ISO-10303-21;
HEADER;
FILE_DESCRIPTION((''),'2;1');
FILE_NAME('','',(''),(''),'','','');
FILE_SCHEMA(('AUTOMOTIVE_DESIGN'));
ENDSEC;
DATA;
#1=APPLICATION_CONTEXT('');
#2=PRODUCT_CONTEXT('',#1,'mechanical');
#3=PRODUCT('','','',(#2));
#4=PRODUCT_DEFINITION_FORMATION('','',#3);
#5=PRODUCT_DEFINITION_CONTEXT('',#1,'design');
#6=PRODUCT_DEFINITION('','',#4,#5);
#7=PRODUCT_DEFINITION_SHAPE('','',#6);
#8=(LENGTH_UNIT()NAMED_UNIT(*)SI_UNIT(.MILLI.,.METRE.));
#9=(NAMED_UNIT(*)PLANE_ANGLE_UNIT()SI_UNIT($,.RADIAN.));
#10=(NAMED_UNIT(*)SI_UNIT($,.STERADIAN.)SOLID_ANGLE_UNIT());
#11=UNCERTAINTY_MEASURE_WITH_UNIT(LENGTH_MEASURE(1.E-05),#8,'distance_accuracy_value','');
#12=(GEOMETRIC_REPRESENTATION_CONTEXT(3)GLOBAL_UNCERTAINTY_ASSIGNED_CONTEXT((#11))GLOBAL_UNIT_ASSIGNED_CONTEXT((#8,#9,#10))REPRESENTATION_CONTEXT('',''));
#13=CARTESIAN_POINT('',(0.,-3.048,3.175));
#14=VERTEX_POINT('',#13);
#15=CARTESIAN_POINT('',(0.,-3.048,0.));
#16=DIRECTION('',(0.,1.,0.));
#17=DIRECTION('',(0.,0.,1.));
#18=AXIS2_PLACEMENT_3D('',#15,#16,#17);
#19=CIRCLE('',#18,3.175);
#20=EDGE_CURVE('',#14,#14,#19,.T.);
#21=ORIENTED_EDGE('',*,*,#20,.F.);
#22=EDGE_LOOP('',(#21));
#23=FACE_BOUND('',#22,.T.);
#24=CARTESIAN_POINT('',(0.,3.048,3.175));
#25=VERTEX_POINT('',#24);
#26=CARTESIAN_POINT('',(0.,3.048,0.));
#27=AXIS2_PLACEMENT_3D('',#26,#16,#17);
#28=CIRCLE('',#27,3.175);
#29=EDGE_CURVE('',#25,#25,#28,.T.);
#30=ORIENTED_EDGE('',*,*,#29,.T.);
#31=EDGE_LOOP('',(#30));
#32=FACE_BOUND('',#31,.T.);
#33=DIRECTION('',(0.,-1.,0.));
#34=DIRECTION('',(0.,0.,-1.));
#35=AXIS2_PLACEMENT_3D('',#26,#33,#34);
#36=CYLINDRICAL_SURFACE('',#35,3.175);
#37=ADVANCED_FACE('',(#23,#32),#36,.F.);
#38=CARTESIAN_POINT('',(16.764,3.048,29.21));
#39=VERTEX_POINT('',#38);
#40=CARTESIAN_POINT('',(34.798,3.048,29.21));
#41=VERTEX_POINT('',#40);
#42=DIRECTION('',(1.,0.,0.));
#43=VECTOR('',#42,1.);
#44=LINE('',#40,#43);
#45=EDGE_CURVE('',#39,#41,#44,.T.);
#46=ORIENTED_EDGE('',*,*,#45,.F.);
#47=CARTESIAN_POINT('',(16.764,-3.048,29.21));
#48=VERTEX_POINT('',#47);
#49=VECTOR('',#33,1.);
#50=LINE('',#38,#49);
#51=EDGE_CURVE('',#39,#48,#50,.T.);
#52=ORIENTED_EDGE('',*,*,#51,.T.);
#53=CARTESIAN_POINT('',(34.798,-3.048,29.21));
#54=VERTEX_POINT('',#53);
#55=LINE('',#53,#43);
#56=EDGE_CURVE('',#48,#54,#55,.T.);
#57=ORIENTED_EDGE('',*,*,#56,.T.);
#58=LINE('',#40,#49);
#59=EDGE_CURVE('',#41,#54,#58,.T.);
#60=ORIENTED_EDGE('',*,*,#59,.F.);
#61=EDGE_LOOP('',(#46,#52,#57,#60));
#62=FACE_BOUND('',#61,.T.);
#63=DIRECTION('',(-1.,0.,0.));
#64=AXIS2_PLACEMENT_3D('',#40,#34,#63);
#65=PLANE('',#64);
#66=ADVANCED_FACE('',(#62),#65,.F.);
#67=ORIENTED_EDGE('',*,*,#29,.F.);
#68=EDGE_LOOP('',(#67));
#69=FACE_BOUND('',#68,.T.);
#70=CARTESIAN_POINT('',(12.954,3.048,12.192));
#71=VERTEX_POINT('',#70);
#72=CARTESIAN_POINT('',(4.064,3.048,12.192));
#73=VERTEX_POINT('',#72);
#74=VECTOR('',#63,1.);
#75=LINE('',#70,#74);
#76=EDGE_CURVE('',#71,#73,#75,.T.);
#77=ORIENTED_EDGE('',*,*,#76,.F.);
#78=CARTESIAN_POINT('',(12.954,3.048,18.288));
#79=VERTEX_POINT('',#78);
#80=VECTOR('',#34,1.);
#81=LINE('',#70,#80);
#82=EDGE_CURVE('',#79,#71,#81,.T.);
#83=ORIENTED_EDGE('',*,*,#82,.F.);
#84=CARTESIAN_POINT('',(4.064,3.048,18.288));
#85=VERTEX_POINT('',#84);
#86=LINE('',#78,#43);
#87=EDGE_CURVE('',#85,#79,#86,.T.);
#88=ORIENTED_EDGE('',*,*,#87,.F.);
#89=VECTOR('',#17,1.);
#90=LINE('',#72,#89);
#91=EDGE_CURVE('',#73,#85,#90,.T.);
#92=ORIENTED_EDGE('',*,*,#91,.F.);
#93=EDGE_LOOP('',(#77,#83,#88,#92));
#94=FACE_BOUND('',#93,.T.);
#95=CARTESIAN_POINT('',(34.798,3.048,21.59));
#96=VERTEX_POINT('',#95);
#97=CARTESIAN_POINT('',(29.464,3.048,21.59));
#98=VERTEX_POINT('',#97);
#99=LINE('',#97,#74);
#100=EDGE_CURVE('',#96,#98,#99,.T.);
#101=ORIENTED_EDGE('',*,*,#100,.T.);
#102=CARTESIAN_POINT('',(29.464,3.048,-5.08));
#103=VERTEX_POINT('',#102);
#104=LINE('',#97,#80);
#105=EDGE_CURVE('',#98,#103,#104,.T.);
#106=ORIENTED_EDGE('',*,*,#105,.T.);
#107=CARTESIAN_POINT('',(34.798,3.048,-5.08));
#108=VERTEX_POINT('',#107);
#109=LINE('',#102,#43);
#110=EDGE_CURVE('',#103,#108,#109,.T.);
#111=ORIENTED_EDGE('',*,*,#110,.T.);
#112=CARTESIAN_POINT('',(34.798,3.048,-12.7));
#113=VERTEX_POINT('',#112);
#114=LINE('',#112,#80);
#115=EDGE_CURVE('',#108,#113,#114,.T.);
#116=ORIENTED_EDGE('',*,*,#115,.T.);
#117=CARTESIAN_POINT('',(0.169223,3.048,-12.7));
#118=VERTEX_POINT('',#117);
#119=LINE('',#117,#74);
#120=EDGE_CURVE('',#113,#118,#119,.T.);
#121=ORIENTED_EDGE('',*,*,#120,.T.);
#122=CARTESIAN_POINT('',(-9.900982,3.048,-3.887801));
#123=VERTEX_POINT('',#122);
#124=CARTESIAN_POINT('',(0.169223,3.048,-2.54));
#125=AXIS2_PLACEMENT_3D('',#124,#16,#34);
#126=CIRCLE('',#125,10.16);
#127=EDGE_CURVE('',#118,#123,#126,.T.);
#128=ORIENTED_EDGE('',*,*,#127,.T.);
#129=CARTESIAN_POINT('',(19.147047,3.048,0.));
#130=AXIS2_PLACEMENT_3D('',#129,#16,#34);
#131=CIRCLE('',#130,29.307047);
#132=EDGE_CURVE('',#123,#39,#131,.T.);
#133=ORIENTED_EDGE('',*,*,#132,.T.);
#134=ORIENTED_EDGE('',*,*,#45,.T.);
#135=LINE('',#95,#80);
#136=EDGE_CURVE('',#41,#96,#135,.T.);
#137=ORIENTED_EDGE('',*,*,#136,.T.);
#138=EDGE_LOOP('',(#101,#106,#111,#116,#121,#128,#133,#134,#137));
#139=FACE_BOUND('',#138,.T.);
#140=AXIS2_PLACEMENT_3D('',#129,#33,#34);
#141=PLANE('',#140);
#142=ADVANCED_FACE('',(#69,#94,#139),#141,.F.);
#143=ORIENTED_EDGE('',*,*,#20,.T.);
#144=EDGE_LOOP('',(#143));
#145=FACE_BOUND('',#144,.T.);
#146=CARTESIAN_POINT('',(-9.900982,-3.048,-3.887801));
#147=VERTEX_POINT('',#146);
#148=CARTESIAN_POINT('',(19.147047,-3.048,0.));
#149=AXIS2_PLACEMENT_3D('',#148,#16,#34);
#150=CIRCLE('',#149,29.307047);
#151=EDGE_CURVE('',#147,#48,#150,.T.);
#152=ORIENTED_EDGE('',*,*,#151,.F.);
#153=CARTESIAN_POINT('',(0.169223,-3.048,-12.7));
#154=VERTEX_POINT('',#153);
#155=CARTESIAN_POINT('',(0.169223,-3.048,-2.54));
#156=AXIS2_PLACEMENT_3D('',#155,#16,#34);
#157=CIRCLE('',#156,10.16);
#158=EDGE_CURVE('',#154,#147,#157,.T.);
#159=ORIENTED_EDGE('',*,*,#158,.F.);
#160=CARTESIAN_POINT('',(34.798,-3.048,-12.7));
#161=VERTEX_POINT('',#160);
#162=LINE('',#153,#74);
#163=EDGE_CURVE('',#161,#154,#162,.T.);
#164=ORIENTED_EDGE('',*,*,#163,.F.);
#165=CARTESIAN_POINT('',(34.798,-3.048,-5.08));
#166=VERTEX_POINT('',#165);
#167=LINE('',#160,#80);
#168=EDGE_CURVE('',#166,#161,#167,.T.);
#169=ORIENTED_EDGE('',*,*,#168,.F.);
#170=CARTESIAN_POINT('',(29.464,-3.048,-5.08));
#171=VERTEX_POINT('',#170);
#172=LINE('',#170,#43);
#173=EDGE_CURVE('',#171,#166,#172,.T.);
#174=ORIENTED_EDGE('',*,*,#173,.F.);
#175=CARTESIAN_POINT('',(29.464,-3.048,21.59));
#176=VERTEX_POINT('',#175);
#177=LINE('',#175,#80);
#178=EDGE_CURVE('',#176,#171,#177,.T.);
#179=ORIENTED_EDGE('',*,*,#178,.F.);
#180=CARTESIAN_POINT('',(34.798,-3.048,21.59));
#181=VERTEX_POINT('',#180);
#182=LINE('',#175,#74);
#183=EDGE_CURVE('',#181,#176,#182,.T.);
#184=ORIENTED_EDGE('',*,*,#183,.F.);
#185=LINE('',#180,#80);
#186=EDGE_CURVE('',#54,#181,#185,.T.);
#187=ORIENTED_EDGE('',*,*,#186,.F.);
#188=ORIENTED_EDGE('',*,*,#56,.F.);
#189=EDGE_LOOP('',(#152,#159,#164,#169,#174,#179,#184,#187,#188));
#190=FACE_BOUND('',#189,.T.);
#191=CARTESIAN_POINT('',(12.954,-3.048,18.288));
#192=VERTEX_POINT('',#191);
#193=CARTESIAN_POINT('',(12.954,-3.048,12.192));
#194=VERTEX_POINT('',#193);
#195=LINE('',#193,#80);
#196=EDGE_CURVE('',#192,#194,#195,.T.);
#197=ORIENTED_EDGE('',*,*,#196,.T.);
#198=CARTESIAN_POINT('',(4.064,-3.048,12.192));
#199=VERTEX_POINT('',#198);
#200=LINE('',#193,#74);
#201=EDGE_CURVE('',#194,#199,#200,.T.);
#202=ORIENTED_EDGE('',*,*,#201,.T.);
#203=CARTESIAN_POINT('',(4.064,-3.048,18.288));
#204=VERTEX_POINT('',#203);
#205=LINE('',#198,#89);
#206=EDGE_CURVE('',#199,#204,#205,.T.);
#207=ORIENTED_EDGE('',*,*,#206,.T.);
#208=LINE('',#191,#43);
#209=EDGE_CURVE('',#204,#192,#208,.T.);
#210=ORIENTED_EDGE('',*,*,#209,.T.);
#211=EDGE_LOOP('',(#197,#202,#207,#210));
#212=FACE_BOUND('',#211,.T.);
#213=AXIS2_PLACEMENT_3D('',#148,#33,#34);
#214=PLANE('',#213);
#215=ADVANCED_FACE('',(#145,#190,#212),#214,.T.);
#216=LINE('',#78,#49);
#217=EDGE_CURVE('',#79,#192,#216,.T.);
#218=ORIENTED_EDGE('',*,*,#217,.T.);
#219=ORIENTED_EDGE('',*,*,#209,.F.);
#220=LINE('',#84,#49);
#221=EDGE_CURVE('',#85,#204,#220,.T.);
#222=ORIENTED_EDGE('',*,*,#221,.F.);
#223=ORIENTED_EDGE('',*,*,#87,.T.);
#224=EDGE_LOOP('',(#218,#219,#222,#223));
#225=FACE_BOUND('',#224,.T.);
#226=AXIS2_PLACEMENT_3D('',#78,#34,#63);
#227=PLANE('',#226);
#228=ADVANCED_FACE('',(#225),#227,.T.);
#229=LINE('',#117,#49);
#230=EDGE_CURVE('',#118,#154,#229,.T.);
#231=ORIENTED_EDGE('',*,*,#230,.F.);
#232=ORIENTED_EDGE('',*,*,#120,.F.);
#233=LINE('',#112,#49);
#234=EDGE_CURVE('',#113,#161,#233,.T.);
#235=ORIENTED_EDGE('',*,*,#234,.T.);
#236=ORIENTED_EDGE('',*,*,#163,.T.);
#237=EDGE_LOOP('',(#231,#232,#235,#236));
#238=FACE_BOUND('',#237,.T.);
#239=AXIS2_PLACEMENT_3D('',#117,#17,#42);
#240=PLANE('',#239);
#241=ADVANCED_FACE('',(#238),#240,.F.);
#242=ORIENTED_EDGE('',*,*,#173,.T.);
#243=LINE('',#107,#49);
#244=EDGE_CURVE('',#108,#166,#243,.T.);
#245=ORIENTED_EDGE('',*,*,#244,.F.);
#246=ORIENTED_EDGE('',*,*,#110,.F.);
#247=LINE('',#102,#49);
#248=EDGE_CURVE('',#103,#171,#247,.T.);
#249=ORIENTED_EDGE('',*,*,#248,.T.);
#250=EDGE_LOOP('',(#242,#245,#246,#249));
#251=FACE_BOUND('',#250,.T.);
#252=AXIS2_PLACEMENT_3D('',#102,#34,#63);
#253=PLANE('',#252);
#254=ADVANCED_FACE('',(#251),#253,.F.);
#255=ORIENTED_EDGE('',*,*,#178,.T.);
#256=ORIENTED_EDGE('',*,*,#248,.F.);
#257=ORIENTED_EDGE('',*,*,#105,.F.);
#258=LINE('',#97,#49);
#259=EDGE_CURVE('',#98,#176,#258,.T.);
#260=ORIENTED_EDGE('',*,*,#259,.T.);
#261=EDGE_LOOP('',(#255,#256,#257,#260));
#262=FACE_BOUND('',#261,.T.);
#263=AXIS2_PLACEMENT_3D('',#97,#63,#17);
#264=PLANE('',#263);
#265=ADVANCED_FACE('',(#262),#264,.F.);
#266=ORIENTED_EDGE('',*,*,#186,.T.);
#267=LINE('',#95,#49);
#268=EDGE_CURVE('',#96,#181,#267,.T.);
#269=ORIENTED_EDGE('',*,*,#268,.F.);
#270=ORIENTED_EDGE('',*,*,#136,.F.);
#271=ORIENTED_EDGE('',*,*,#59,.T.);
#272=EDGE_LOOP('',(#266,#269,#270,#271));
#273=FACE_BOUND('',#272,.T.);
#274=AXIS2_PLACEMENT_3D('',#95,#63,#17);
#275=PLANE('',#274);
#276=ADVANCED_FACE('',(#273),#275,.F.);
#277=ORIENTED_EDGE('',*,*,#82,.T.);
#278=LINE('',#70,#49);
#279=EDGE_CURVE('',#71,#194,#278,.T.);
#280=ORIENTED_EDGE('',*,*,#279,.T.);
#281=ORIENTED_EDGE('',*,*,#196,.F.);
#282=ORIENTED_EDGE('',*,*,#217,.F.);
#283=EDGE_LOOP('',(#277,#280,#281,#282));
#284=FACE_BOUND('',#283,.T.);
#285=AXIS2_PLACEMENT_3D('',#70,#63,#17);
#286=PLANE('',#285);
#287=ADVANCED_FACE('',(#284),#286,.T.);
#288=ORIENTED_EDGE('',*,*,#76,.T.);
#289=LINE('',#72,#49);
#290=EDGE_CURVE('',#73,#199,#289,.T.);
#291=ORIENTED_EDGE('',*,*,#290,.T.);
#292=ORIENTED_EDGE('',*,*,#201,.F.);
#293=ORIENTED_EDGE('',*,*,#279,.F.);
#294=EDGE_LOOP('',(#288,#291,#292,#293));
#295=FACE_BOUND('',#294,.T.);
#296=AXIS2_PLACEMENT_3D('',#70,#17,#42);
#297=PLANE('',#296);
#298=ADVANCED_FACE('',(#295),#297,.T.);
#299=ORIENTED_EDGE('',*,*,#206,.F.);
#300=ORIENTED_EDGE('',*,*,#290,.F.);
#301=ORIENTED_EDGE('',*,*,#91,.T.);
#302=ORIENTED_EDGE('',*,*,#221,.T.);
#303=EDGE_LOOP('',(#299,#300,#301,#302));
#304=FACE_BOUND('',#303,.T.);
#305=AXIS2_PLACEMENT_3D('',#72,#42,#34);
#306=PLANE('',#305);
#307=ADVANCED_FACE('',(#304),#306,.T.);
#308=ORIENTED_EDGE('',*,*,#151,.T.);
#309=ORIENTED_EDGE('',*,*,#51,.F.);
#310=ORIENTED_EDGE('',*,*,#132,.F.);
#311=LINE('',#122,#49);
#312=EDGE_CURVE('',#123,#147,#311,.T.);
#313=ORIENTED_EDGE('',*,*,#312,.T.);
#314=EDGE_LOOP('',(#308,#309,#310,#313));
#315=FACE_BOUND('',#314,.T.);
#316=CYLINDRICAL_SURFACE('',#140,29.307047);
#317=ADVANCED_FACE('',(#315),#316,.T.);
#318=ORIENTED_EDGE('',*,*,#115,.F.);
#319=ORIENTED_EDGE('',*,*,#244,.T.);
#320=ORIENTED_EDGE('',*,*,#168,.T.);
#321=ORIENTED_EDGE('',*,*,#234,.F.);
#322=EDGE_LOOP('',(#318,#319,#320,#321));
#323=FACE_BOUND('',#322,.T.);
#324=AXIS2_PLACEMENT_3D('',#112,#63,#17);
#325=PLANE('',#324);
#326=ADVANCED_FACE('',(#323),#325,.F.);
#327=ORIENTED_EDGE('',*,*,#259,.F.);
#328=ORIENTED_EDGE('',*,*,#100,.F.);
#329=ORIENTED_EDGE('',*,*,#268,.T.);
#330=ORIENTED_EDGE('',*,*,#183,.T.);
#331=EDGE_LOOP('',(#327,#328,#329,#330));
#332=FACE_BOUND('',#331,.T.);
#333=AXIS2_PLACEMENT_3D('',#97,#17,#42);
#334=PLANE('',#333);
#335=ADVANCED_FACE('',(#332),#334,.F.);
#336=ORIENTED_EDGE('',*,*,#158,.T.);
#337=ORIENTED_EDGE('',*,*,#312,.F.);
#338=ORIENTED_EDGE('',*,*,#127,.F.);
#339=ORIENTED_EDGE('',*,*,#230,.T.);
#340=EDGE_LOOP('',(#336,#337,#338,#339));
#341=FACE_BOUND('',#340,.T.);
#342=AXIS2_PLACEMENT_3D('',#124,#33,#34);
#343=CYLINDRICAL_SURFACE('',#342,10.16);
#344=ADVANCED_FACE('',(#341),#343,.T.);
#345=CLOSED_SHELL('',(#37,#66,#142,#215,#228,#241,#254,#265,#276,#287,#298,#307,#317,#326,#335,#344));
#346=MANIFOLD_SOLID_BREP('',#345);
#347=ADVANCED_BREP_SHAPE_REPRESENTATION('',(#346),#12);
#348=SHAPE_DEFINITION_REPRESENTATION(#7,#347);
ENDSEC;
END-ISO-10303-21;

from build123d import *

# Parameters (mm, degrees)
SKETCH1_R           = 3.175
SKETCH1_W           = 8.89
SKETCH1_H           = 6.096
BOSS_EXTRUDE1_DEPTH = 3.048


with BuildPart() as part:
    # Sketch1 → Boss-Extrude1 (new, symmetric)
    with BuildSketch(Plane(origin=(0, 0, 0), x_dir=(1, 0, 0), z_dir=(0, 1, 0))):
        with BuildLine():
            Line((29.464, -21.59), (29.464, 5.08))
            Line((29.464, 5.08), (34.798, 5.08))
            Line((34.798, 5.08), (34.798, 12.7))
            Line((34.798, 12.7), (0.169222866, 12.7))
            ThreePointArc((0.169222866, 12.7), (-6.521515016, 10.185889524), (-9.900982384, 3.887800513))
            ThreePointArc((-9.900982384, 3.887800513), (-3.674965137, -18.386374523), (16.764, -29.21))
            Line((16.764, -29.21), (34.798, -29.21))
            Line((34.798, -29.21), (34.798, -21.59))
            Line((34.798, -21.59), (29.464, -21.59))
        make_face()
        Circle(SKETCH1_R, mode=Mode.SUBTRACT)
        with Locations((8.509, -15.24)):
            Rectangle(SKETCH1_W, SKETCH1_H, mode=Mode.SUBTRACT)
    extrude(amount=BOSS_EXTRUDE1_DEPTH, both=True)


solid = part.part
